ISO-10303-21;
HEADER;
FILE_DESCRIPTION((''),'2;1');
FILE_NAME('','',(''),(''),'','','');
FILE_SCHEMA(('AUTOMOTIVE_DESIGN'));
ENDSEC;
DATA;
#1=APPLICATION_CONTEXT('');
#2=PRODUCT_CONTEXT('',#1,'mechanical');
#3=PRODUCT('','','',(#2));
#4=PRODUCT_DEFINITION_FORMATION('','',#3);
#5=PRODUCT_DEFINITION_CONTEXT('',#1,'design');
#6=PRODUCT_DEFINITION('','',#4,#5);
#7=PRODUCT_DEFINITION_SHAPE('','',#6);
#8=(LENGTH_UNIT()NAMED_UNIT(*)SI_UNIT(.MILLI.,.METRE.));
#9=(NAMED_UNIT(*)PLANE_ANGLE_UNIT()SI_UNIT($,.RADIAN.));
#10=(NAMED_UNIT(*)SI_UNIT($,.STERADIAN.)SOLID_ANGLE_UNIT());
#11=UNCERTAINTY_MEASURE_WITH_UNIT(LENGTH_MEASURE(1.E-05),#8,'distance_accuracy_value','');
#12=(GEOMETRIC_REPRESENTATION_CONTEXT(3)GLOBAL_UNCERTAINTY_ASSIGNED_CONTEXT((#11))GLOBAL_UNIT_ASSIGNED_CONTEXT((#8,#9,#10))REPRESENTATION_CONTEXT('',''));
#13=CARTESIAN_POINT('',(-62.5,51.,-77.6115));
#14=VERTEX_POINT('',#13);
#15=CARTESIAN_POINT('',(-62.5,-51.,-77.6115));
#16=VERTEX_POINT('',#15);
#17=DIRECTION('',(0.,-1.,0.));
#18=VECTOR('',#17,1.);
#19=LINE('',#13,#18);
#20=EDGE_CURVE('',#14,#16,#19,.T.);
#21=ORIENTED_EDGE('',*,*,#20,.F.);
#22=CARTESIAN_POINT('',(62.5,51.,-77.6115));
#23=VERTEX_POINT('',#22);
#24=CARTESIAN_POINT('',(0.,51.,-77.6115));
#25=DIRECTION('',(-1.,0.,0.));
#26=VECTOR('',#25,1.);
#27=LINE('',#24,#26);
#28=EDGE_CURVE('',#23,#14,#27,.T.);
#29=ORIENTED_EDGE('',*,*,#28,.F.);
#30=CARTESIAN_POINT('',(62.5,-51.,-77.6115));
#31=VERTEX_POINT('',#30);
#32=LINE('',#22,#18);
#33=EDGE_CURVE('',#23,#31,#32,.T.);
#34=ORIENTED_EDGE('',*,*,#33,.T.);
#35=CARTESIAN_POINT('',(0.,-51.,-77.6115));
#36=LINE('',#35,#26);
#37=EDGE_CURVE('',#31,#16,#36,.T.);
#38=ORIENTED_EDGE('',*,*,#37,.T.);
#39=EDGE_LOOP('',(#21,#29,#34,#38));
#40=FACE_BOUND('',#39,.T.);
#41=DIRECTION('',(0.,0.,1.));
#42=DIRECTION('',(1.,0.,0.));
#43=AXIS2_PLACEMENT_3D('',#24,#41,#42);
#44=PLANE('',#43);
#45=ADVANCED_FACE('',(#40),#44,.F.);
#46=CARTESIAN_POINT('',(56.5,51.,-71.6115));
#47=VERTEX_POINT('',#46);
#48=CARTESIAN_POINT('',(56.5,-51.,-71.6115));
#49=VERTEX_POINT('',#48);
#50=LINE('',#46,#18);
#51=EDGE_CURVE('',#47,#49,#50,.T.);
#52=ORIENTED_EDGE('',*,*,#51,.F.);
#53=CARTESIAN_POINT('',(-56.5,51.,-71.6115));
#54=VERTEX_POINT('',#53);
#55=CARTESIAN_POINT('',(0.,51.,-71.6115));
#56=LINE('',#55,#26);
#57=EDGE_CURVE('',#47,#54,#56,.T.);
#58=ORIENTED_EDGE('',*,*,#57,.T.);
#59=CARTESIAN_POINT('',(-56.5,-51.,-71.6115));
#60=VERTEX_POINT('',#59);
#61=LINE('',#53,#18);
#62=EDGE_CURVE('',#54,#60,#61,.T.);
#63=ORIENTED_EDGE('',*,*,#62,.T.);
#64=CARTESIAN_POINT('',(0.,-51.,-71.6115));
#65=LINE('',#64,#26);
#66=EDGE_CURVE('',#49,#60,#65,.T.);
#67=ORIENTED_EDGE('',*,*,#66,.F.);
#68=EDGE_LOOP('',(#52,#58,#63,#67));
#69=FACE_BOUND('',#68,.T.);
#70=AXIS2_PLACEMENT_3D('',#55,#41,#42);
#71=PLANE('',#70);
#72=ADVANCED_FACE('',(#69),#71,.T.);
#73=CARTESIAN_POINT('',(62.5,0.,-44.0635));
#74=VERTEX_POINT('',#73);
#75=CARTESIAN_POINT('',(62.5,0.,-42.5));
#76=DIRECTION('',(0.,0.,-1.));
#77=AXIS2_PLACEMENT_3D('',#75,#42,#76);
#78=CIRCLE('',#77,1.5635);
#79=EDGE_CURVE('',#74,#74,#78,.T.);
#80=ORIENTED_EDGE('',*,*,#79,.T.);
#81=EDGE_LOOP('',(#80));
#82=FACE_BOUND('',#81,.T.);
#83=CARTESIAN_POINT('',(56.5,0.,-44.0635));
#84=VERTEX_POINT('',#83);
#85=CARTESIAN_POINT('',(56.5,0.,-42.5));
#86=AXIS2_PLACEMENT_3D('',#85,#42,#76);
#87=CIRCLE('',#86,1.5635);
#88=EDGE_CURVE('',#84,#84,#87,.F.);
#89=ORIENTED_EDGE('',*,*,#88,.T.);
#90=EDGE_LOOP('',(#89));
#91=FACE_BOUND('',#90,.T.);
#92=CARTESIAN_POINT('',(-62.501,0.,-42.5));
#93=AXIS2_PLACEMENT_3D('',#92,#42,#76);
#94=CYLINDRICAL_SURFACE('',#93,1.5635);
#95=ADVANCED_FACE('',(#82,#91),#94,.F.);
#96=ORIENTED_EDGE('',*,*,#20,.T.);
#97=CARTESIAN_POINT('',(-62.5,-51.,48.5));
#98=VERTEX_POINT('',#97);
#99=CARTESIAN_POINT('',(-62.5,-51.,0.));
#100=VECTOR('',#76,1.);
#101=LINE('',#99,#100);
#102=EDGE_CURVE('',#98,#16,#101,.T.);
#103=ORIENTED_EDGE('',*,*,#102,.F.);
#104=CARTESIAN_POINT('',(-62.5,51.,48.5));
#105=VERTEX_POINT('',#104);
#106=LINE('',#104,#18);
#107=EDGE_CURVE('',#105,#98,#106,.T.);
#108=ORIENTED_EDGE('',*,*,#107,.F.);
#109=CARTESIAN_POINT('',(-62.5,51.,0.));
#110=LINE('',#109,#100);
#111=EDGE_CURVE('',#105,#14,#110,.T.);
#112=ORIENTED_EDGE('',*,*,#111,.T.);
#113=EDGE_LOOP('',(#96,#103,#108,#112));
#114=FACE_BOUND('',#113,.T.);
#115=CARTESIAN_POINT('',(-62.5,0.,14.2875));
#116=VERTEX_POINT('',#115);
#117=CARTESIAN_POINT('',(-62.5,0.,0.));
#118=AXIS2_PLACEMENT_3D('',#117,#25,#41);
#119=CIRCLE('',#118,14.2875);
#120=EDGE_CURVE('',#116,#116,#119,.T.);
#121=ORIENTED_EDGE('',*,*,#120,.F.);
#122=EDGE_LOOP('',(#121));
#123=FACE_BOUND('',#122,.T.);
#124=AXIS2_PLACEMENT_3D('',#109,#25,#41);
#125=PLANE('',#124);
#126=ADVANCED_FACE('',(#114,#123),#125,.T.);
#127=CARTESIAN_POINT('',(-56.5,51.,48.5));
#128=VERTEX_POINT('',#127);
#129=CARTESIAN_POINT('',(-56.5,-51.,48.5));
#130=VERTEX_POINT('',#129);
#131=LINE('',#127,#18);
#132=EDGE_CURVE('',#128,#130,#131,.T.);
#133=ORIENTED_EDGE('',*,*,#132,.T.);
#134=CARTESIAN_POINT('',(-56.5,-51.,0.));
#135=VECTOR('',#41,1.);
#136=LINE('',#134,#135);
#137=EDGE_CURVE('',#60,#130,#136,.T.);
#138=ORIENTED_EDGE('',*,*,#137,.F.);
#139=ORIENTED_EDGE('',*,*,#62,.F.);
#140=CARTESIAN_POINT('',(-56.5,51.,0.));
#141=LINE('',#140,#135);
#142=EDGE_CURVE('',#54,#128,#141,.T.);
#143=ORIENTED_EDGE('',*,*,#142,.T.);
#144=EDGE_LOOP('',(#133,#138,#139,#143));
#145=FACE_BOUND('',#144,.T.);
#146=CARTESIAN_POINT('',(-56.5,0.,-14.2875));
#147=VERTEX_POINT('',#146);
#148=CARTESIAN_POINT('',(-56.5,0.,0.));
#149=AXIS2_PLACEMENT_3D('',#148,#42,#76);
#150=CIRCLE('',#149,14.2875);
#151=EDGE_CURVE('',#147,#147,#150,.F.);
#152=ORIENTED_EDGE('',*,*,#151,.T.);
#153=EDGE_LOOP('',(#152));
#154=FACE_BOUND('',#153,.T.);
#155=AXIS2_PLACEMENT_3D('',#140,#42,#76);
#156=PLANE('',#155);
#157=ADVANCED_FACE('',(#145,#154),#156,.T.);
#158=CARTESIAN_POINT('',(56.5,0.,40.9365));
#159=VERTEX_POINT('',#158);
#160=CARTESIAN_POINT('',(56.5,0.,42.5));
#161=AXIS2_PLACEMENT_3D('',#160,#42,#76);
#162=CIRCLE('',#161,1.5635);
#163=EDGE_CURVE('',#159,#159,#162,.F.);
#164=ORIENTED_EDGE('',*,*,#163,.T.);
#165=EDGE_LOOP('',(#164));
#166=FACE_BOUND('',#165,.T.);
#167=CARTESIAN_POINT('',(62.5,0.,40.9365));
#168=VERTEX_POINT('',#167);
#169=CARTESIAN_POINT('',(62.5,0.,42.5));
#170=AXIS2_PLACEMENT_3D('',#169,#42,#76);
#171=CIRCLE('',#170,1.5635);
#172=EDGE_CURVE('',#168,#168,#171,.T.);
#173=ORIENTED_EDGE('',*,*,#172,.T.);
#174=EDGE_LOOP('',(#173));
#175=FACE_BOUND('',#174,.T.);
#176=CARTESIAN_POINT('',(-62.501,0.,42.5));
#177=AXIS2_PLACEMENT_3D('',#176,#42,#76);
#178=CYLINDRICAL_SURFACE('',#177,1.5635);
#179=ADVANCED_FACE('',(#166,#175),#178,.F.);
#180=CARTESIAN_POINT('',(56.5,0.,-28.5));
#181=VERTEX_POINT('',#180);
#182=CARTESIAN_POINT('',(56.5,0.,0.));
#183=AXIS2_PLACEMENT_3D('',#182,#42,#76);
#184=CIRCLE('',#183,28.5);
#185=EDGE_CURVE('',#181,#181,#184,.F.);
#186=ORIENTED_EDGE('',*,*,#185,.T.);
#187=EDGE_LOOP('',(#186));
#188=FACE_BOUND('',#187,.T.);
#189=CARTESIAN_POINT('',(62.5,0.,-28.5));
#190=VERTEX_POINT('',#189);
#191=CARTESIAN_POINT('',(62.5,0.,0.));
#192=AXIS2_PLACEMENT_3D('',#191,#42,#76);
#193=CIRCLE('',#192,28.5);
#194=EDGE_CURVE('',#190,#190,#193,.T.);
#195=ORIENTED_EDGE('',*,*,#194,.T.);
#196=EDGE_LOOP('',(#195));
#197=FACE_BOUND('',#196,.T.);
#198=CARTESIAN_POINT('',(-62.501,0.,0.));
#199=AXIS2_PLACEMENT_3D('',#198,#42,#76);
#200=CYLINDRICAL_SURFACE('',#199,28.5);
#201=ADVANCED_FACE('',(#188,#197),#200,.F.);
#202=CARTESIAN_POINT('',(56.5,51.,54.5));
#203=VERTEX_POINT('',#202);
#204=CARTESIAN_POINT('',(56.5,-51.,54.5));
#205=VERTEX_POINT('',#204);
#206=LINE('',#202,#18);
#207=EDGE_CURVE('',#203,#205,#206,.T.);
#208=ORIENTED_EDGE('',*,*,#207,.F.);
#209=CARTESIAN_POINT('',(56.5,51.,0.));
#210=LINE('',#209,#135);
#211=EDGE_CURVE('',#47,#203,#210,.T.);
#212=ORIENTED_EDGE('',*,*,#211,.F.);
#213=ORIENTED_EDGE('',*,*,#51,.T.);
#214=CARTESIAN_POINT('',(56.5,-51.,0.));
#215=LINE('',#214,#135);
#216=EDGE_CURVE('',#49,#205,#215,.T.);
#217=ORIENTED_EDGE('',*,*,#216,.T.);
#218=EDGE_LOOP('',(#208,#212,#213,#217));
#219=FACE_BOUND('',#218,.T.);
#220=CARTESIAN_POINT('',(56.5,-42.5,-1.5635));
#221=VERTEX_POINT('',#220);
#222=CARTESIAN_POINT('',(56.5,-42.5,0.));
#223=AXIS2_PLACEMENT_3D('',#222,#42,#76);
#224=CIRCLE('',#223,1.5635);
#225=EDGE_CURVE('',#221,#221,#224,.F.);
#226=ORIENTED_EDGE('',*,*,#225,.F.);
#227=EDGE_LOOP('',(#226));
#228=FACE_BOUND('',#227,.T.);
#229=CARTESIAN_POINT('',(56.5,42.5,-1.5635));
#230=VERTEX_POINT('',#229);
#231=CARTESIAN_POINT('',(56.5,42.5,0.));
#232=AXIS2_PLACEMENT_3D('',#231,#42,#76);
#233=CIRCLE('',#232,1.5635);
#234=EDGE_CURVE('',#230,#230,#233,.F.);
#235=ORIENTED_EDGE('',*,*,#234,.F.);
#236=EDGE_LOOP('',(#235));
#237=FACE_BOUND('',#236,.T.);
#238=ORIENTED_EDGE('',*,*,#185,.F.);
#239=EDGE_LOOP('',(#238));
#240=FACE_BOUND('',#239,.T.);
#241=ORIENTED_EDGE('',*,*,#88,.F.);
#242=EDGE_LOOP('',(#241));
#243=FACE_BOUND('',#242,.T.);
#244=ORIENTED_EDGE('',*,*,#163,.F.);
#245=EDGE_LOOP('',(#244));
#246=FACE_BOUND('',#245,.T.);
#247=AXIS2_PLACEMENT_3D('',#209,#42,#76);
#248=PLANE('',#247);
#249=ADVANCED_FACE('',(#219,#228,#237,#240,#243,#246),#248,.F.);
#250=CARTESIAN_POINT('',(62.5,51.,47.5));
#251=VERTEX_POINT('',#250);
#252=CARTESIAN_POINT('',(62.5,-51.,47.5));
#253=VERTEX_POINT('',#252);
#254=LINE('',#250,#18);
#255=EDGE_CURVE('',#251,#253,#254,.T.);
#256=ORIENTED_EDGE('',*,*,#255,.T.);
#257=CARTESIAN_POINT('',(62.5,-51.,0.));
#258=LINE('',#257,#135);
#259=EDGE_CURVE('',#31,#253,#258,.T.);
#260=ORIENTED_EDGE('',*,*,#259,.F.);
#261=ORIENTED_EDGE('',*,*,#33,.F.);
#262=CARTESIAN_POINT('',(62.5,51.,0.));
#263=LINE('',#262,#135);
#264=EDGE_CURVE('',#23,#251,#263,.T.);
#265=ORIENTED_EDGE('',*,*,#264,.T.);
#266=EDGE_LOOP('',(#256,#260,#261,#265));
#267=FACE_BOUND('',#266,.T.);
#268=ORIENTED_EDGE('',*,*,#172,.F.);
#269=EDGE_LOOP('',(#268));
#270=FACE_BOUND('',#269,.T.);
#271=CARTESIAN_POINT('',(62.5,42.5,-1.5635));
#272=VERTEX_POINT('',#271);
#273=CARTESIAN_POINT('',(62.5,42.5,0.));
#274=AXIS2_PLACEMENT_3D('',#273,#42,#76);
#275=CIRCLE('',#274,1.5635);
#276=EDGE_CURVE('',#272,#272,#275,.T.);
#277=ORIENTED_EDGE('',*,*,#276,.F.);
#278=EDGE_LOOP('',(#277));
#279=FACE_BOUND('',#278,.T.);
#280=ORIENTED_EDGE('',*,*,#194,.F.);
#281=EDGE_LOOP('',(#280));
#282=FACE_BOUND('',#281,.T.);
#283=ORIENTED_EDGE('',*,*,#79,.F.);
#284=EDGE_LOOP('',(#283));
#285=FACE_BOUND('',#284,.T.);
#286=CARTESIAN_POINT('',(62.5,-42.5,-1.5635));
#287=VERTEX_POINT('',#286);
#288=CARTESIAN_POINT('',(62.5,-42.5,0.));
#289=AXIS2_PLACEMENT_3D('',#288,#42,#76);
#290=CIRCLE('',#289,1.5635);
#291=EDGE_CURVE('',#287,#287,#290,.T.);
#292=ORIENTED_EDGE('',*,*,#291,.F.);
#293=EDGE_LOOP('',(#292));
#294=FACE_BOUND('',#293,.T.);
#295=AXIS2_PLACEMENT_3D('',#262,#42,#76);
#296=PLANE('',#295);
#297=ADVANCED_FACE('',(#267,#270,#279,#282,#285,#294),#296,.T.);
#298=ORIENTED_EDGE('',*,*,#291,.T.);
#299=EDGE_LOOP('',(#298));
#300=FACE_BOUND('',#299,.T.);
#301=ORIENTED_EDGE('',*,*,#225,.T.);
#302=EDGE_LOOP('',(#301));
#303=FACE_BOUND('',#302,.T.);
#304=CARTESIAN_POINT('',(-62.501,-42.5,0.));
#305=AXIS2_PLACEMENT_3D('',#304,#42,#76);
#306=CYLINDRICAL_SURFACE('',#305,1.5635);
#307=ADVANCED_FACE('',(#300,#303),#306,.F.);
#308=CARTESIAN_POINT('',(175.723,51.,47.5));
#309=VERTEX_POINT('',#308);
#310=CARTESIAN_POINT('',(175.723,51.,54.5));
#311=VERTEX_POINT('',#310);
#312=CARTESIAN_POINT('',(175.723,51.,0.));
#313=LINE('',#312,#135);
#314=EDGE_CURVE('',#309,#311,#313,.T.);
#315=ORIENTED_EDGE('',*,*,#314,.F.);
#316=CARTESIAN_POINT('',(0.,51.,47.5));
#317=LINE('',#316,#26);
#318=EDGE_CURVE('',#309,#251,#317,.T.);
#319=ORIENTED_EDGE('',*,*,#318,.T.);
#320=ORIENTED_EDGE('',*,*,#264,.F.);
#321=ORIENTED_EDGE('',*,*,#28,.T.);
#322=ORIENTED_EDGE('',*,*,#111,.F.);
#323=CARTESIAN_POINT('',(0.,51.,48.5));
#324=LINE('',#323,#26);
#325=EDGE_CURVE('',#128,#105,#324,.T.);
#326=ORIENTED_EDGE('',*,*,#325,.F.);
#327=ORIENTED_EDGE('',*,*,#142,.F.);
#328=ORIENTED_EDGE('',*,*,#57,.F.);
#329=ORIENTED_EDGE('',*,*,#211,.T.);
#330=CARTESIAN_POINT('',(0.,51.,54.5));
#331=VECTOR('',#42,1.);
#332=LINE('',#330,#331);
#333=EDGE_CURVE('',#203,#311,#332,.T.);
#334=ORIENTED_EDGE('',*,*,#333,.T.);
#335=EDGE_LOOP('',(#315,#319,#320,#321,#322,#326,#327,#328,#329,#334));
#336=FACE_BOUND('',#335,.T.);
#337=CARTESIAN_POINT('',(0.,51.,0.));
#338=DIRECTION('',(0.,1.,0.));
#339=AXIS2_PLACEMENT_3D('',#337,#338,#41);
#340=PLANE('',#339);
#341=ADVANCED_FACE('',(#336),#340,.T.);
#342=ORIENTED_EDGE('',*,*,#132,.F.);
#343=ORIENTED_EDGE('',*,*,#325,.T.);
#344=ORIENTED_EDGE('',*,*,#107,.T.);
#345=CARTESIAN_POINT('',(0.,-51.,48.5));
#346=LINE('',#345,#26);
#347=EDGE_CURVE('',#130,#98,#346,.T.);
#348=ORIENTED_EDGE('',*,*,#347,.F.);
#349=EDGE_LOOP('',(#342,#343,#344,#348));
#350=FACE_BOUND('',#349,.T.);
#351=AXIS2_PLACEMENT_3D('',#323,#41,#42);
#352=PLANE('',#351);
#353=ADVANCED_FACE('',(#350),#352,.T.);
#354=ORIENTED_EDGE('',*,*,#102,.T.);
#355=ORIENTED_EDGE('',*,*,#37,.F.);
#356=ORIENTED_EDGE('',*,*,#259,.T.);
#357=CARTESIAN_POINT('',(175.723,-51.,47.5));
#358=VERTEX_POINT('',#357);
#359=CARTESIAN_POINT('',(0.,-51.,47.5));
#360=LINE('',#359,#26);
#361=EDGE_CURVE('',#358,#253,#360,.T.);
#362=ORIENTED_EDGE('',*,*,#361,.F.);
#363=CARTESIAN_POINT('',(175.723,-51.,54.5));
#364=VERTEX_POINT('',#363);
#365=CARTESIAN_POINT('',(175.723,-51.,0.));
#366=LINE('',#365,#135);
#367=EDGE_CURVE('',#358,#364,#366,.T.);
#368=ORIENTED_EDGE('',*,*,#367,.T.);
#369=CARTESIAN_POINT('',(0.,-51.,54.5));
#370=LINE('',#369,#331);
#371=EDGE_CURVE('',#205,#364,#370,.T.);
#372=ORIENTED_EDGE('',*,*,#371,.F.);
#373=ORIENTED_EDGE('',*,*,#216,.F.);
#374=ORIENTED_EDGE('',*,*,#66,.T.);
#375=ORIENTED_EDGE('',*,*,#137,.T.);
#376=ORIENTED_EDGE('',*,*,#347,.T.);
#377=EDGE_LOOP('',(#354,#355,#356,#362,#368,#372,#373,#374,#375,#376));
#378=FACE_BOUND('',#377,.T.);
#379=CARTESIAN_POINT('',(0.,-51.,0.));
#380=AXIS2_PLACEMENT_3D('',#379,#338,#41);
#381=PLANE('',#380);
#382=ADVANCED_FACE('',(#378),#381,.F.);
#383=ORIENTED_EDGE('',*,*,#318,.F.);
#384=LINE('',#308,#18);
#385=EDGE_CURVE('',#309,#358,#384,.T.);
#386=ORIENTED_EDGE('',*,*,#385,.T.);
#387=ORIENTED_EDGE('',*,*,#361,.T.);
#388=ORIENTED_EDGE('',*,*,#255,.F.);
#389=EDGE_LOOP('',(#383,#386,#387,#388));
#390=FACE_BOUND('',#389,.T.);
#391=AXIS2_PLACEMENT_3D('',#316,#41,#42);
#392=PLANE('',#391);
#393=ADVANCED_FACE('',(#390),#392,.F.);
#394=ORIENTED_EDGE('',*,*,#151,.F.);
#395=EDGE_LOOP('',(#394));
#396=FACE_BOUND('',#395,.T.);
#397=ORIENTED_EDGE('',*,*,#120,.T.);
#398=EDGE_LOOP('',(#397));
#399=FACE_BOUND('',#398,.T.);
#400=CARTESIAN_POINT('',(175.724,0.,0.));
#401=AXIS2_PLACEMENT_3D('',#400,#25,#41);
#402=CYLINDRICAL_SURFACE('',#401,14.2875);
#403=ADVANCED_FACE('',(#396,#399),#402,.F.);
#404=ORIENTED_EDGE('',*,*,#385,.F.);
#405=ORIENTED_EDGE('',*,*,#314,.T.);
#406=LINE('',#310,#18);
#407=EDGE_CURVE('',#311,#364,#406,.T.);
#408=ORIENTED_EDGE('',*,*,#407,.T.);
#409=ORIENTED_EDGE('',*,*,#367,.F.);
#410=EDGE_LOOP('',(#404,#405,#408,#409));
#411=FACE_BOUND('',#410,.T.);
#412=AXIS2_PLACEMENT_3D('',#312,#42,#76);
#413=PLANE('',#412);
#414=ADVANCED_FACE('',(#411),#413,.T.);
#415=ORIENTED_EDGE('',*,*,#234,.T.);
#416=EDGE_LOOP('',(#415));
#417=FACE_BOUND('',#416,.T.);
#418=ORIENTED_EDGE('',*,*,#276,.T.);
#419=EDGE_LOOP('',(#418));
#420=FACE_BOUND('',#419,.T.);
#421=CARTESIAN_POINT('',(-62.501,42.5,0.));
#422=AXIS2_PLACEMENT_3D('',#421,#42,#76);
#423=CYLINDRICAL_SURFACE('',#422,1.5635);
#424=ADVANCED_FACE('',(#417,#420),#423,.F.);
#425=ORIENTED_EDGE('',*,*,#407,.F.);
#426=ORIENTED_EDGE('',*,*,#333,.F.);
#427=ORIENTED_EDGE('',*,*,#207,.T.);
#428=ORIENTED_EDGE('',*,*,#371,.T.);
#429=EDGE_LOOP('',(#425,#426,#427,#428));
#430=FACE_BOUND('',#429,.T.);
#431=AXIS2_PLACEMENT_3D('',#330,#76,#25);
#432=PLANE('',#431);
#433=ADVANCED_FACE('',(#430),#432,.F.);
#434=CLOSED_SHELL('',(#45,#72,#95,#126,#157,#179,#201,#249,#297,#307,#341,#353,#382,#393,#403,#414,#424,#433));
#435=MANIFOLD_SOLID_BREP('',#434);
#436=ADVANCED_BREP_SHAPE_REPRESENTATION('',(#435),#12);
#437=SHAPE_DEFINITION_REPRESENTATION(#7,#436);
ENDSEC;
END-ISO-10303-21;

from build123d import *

# Parameters (mm, degrees)
BOSS_EXTRUDE3_DEPTH      = 51
BOSS_EXTRUDE3_DEPTH_BACK = 51
CUT_EXTRUDE3_REACH       = 157.723
SKETCH7_R                = 1.5635
SKETCH7_R_2              = 28.5
CUT_EXTRUDE4_REACH       = 257.685
SKETCH8_R                = 14.2875


with BuildPart() as part:
    # Sketch6 → Boss-Extrude3 (new, two sides: drawn at the far end of the back side and taken through both)
    with BuildSketch(Plane(origin=(0, 0, 0), x_dir=(1, 0, 0), z_dir=(0, 1, 0)).offset(-BOSS_EXTRUDE3_DEPTH_BACK)):
        Polygon((175.723, -47.5), (175.723, -54.5), (56.5, -54.5), (56.5, 71.6115), (-56.5, 71.6115), (-56.5, -48.5), (-62.5, -48.5), (-62.5, 77.6115), (62.5, 77.6115), (62.5, -47.5), align=None)
    extrude(amount=BOSS_EXTRUDE3_DEPTH + BOSS_EXTRUDE3_DEPTH_BACK)

    # Sketch7 → Cut-Extrude3 (cut, up to next)
    with BuildSketch(Plane(origin=(62.5, 0, 0), x_dir=(0, 0, -1), z_dir=(1, 0, 0)), mode=Mode.PRIVATE) as cut_extrude3_sk1:
        with Locations((0, 42.5)):
            Circle(SKETCH7_R)
    cut_extrude3_tool1 = extrude(cut_extrude3_sk1.sketch, amount=-CUT_EXTRUDE3_REACH, mode=Mode.PRIVATE) & part.part
    # Sketch7 → Cut-Extrude3 (cut, up to next)
    with BuildSketch(Plane(origin=(62.5, 0, 0), x_dir=(0, 0, -1), z_dir=(1, 0, 0)), mode=Mode.PRIVATE) as cut_extrude3_sk2:
        with Locations((42.5, 0)):
            Circle(SKETCH7_R)
    cut_extrude3_tool2 = extrude(cut_extrude3_sk2.sketch, amount=-CUT_EXTRUDE3_REACH, mode=Mode.PRIVATE) & part.part
    # Sketch7 → Cut-Extrude3 (cut, up to next)
    with BuildSketch(Plane(origin=(62.5, 0, 0), x_dir=(0, 0, -1), z_dir=(1, 0, 0)), mode=Mode.PRIVATE) as cut_extrude3_sk3:
        with Locations((0, -42.5)):
            Circle(SKETCH7_R)
    cut_extrude3_tool3 = extrude(cut_extrude3_sk3.sketch, amount=-CUT_EXTRUDE3_REACH, mode=Mode.PRIVATE) & part.part
    # Sketch7 → Cut-Extrude3 (cut, up to next)
    with BuildSketch(Plane(origin=(62.5, 0, 0), x_dir=(0, 0, -1), z_dir=(1, 0, 0)), mode=Mode.PRIVATE) as cut_extrude3_sk4:
        with Locations((-42.5, 0)):
            Circle(SKETCH7_R)
    cut_extrude3_tool4 = extrude(cut_extrude3_sk4.sketch, amount=-CUT_EXTRUDE3_REACH, mode=Mode.PRIVATE) & part.part
    # Sketch7 → Cut-Extrude3 (cut, up to next)
    with BuildSketch(Plane(origin=(62.5, 0, 0), x_dir=(0, 0, -1), z_dir=(1, 0, 0)), mode=Mode.PRIVATE) as cut_extrude3_sk5:
        Circle(SKETCH7_R_2)
    cut_extrude3_tool5 = extrude(cut_extrude3_sk5.sketch, amount=-CUT_EXTRUDE3_REACH, mode=Mode.PRIVATE) & part.part
    add(cut_extrude3_tool1.solids().sort_by_distance((62.5, 42.5, 0))[0], mode=Mode.SUBTRACT)
    add(cut_extrude3_tool2.solids().sort_by_distance((62.5, 0, -42.5))[0], mode=Mode.SUBTRACT)
    add(cut_extrude3_tool3.solids().sort_by_distance((62.5, -42.5, 0))[0], mode=Mode.SUBTRACT)
    add(cut_extrude3_tool4.solids().sort_by_distance((62.5, 0, 42.5))[0], mode=Mode.SUBTRACT)
    add(cut_extrude3_tool5.solids().sort_by_distance((62.5, 0, 0))[0], mode=Mode.SUBTRACT)

    # Sketch8 → Cut-Extrude4 (cut, up to next)
    with BuildSketch(Plane.ZY.offset(62.5), mode=Mode.PRIVATE) as cut_extrude4_sk1:
        Circle(SKETCH8_R)
    cut_extrude4_tool1 = extrude(cut_extrude4_sk1.sketch, amount=-CUT_EXTRUDE4_REACH, mode=Mode.PRIVATE) & part.part
    add(cut_extrude4_tool1.solids().sort_by_distance((-62.5, 0, 0))[0], mode=Mode.SUBTRACT)


solid = part.part
